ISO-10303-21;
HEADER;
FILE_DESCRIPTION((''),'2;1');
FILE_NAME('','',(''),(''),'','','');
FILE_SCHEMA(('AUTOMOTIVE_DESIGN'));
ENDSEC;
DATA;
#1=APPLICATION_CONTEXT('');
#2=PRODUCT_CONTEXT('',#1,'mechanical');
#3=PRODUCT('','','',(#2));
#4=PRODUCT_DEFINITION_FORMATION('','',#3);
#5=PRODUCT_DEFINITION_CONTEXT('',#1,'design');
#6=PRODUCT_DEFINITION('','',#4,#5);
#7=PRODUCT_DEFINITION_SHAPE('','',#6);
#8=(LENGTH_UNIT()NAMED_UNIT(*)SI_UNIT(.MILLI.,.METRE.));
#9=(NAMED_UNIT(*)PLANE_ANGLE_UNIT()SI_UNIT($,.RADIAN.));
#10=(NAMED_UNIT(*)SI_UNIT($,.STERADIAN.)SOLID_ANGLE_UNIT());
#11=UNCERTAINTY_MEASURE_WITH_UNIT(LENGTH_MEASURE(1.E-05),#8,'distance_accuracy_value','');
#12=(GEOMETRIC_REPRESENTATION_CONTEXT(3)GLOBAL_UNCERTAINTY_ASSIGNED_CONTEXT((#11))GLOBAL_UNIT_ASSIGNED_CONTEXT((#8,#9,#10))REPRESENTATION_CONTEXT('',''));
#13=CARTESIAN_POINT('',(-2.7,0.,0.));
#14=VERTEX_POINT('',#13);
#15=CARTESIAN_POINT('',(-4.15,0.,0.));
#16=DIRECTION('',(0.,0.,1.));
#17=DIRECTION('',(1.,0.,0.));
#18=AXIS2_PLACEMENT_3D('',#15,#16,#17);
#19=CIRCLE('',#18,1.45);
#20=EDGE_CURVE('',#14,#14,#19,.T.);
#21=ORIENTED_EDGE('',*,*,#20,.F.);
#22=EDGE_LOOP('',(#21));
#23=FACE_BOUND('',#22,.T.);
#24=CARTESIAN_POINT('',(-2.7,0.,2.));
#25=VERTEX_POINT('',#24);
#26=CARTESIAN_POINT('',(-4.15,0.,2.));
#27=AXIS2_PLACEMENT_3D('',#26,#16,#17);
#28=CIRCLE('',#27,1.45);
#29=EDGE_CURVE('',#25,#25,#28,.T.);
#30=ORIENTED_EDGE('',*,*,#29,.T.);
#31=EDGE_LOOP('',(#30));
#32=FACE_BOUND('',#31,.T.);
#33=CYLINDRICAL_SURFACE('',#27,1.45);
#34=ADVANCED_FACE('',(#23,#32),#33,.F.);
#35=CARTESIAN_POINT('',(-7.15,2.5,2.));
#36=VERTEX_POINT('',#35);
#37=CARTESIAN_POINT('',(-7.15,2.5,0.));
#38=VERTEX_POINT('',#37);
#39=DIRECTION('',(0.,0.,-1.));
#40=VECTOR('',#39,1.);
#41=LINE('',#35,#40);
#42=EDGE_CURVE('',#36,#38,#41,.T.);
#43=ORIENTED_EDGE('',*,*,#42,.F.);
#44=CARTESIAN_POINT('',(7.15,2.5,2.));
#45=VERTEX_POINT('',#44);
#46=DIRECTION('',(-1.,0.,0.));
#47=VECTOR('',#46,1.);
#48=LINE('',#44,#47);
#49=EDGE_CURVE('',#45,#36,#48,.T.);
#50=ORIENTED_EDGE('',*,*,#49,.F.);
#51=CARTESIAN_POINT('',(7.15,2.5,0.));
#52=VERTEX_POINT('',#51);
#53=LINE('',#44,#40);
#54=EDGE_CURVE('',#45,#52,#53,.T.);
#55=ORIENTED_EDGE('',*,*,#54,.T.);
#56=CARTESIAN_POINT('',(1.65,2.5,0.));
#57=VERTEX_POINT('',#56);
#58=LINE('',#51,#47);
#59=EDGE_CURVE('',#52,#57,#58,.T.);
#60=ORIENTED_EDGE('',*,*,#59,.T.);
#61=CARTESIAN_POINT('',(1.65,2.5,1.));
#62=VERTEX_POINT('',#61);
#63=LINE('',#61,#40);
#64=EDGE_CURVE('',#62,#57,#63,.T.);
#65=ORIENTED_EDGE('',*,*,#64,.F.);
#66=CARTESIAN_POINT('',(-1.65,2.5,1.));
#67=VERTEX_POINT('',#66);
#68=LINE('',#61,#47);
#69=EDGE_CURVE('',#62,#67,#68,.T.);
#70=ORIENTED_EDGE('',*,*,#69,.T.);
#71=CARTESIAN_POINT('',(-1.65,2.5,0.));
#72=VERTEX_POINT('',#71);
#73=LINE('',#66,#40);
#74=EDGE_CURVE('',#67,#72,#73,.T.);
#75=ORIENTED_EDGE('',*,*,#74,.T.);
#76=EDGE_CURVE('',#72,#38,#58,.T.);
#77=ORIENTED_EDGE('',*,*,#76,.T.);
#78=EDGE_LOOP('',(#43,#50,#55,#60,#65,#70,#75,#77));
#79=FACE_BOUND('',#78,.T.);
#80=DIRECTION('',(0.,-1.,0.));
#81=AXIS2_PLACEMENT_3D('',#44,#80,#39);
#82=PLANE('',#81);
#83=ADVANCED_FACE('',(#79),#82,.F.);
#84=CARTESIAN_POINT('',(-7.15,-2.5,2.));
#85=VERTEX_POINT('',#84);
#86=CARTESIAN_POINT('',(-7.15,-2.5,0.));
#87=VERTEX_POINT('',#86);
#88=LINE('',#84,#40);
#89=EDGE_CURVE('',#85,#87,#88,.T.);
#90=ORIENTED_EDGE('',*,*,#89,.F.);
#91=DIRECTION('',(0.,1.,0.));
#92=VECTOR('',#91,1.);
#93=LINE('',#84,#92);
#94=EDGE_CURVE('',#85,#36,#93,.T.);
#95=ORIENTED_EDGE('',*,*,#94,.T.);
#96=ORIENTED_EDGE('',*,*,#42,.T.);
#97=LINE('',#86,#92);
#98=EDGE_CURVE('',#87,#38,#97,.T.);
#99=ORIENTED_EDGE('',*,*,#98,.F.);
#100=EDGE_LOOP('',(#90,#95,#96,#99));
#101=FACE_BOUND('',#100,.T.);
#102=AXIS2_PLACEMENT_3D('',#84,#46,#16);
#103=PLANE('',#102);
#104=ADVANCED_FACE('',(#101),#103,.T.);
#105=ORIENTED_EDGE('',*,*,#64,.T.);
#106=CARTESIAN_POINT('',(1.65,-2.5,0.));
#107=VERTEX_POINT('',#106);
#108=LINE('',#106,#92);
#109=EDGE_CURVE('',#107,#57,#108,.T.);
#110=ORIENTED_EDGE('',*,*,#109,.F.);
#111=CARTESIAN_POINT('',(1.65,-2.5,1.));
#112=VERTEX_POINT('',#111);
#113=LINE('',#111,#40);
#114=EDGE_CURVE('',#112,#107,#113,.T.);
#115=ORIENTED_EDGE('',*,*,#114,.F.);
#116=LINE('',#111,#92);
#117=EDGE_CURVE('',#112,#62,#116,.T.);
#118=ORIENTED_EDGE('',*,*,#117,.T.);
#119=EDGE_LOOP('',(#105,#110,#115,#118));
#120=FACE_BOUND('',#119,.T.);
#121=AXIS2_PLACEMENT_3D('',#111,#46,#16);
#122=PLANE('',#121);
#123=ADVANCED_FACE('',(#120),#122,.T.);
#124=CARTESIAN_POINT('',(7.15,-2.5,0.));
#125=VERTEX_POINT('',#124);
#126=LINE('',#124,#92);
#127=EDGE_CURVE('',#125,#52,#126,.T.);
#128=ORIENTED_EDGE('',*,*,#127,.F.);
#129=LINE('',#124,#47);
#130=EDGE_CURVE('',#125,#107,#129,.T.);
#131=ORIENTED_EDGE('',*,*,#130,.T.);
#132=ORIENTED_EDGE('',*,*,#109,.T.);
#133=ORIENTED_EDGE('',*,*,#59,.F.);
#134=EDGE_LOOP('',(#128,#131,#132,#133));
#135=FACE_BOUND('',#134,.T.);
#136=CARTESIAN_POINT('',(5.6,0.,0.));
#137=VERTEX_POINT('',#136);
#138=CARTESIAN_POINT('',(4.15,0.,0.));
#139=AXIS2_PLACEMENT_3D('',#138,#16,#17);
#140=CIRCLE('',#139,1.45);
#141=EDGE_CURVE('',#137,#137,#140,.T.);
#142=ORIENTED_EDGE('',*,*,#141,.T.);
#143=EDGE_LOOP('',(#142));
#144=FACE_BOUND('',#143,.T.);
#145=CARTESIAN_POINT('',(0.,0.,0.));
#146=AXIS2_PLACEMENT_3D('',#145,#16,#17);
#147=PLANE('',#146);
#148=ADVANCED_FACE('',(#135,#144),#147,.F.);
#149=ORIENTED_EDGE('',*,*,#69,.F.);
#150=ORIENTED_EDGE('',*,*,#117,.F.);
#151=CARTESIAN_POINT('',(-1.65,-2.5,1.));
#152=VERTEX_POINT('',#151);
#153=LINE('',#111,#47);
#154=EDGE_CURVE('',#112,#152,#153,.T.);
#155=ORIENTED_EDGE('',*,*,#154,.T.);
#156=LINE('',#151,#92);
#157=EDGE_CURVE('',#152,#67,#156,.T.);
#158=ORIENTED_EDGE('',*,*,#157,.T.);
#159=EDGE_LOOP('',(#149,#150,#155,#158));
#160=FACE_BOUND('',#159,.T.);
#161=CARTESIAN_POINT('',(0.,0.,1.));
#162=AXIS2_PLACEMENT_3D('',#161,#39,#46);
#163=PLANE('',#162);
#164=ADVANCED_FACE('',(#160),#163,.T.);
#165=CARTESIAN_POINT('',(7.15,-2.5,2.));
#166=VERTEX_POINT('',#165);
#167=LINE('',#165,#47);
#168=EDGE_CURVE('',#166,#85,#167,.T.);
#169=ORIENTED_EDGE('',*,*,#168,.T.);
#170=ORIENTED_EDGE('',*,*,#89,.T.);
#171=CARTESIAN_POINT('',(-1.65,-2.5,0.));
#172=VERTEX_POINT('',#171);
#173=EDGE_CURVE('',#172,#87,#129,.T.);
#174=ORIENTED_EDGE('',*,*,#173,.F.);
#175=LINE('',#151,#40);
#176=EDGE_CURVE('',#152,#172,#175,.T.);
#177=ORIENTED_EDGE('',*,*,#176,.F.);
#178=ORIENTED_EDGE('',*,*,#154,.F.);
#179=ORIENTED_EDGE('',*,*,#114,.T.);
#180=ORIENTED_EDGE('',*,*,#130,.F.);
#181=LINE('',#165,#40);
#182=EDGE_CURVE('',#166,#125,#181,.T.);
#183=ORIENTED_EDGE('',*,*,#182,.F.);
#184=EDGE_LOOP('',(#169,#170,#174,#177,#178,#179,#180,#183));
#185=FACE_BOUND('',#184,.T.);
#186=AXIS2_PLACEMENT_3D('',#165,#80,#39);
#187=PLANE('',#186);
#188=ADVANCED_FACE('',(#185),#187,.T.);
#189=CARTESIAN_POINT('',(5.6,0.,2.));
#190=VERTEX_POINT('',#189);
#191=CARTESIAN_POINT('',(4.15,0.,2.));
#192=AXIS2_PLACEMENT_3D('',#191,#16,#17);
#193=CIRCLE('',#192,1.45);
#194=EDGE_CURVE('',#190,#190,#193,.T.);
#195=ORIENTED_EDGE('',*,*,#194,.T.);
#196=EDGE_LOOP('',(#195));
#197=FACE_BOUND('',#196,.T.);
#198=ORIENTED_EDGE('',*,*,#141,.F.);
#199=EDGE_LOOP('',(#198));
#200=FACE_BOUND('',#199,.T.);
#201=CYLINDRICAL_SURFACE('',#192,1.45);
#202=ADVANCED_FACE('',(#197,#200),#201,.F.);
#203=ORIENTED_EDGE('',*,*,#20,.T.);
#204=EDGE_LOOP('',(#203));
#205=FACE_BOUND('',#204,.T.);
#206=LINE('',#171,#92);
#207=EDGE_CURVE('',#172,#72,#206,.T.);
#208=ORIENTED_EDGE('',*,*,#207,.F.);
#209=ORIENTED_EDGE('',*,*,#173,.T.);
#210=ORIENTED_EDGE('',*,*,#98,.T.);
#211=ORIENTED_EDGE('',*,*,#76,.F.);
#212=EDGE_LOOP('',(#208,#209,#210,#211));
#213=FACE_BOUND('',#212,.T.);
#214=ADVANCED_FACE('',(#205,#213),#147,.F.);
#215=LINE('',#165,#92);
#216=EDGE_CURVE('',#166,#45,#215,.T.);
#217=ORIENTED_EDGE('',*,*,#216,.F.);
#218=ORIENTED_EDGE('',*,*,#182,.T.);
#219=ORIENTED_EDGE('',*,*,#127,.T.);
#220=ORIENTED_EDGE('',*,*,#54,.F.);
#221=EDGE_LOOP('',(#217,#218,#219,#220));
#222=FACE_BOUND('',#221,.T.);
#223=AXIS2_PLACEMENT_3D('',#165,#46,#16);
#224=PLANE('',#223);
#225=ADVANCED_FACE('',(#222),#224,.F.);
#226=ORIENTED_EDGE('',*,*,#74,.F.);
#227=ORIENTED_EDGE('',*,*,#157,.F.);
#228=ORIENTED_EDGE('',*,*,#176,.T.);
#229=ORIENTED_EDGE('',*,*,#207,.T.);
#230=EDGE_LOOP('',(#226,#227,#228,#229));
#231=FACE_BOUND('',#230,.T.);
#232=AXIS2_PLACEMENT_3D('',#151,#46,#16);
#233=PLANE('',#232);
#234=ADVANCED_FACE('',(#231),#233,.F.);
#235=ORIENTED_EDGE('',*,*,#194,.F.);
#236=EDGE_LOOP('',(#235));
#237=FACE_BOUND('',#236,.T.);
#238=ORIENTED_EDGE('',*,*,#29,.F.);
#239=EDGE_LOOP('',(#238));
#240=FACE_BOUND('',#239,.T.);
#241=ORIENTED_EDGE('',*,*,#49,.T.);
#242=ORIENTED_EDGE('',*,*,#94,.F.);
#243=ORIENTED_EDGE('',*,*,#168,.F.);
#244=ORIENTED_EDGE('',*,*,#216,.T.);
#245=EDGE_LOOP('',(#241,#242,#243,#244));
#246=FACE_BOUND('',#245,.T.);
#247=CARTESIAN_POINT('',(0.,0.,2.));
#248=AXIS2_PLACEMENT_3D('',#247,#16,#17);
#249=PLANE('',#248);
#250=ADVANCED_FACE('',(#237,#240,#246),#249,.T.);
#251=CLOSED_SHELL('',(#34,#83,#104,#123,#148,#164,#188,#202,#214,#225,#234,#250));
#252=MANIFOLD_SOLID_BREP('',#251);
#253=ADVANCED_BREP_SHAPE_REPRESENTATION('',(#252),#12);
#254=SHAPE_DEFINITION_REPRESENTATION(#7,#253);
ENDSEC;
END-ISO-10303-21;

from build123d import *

# Parameters (mm, degrees)
SKETCH2_W              = 5
SKETCH2_H              = 14.3
BOSS_EXTRUDE1_DEPTH    = 2
SKETCH2_4_W            = 5
SKETCH2_4_H            = 3.3
CUT_EXTRUDE1_DEPTH     = 1
M2_5_CLEARANCE_HOLE1_D = 2.9


with BuildPart() as part:
    # Sketch2 → Boss-Extrude1 (new body)
    with BuildSketch(Plane(origin=(0, 0, 0), x_dir=(0, 1, 0), z_dir=(0, 0, 1))):
        Rectangle(SKETCH2_W, SKETCH2_H)
    extrude(amount=BOSS_EXTRUDE1_DEPTH)

    # Sketch2<4> → Cut-Extrude1 (cut)
    with BuildSketch(Plane(origin=(0, 0, 0), x_dir=(0, 1, 0), z_dir=(0, 0, 1))):
        Rectangle(SKETCH2_4_W, SKETCH2_4_H)
    extrude(amount=CUT_EXTRUDE1_DEPTH, mode=Mode.SUBTRACT)

    # M2.5 Clearance Hole1 (through all)
    with Locations(Plane.XY.offset(2)):
        with Locations((-4.15, 0), (4.15, 0)):
            Hole(M2_5_CLEARANCE_HOLE1_D / 2)


solid = part.part
